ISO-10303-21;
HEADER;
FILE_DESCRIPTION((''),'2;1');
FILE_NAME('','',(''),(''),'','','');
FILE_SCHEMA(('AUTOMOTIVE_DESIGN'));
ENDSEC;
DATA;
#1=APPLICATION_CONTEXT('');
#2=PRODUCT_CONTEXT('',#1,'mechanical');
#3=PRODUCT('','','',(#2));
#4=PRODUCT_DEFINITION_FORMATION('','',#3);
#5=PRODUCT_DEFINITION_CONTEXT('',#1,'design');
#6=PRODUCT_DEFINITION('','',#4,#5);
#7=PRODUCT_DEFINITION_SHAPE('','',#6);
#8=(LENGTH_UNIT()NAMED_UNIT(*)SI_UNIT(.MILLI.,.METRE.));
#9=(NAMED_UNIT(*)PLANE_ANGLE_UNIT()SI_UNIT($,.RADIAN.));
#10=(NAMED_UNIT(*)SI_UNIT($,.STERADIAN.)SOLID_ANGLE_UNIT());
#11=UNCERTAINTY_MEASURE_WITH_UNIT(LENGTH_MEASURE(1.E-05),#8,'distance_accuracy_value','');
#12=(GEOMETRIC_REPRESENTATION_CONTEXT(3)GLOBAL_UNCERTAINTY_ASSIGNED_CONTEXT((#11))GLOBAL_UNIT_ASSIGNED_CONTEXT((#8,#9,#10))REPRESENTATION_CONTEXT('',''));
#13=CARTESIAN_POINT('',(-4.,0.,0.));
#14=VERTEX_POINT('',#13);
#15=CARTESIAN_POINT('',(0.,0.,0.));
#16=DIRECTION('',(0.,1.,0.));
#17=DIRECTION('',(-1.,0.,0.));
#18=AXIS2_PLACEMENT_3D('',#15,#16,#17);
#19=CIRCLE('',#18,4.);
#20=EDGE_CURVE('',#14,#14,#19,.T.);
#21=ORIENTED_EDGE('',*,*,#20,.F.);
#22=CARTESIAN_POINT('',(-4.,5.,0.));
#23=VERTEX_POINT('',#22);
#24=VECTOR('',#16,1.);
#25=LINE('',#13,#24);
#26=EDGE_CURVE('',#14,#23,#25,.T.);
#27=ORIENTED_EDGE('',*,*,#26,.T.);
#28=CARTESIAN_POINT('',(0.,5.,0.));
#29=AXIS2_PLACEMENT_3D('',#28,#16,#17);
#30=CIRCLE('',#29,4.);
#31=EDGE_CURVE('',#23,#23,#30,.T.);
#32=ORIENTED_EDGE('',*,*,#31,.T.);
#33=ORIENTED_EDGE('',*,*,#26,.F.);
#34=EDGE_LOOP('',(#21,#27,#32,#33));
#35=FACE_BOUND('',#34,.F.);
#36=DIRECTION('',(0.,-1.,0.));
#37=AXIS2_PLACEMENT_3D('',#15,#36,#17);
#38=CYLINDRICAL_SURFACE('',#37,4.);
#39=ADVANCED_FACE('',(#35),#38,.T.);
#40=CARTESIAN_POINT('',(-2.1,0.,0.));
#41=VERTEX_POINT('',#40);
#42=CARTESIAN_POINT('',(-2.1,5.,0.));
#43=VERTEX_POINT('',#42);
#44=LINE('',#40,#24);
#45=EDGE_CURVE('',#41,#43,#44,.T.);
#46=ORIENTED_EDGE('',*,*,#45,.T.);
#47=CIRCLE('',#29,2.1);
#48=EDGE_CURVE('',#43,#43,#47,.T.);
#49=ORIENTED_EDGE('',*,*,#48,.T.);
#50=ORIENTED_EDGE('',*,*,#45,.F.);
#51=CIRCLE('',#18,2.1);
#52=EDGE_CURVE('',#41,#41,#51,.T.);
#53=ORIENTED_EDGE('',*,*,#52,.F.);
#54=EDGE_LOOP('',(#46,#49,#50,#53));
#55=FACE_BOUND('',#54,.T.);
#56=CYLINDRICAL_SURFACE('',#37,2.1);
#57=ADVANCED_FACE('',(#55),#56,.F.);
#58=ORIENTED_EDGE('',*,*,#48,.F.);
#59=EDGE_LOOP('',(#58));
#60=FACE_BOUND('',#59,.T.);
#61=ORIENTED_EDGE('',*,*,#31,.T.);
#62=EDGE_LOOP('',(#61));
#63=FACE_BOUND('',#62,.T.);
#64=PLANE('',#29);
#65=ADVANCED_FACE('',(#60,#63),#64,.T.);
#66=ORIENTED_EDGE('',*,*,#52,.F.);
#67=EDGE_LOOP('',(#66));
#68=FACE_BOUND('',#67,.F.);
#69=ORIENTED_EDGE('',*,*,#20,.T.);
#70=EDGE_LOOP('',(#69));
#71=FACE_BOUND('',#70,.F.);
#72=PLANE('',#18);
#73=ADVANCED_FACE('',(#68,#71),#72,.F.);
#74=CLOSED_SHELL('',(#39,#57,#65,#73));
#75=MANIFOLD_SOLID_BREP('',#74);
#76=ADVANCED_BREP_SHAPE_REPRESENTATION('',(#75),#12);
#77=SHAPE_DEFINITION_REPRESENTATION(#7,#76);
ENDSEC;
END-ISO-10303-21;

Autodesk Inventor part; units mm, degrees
ref_plane "YZ Plane" through (0, 0, 0) normal (1, 0, 0) x (0, 1, 0)
ref_plane "XZ Plane" through (0, 0, 0) normal (0, 1, 0) x (-1, 0, 0)
ref_plane "XY Plane" through (0, 0, 0) normal (0, 0, 1) x (1, 0, 0)
sketch "Sketch1" plane through (0, 0, 0) normal (0, 1, 0) x (-1, 0, 0)
  circle A0 centre (0, 0) radius 2.1
  circle A1 centre (0, 0) radius 4
  dimension "d0" = 4.2
  dimension "d1" = 8
extrude "Extrusion1" add sketch "Sketch1" along normal blind 5
properties part number "m4 bearing adapter"
